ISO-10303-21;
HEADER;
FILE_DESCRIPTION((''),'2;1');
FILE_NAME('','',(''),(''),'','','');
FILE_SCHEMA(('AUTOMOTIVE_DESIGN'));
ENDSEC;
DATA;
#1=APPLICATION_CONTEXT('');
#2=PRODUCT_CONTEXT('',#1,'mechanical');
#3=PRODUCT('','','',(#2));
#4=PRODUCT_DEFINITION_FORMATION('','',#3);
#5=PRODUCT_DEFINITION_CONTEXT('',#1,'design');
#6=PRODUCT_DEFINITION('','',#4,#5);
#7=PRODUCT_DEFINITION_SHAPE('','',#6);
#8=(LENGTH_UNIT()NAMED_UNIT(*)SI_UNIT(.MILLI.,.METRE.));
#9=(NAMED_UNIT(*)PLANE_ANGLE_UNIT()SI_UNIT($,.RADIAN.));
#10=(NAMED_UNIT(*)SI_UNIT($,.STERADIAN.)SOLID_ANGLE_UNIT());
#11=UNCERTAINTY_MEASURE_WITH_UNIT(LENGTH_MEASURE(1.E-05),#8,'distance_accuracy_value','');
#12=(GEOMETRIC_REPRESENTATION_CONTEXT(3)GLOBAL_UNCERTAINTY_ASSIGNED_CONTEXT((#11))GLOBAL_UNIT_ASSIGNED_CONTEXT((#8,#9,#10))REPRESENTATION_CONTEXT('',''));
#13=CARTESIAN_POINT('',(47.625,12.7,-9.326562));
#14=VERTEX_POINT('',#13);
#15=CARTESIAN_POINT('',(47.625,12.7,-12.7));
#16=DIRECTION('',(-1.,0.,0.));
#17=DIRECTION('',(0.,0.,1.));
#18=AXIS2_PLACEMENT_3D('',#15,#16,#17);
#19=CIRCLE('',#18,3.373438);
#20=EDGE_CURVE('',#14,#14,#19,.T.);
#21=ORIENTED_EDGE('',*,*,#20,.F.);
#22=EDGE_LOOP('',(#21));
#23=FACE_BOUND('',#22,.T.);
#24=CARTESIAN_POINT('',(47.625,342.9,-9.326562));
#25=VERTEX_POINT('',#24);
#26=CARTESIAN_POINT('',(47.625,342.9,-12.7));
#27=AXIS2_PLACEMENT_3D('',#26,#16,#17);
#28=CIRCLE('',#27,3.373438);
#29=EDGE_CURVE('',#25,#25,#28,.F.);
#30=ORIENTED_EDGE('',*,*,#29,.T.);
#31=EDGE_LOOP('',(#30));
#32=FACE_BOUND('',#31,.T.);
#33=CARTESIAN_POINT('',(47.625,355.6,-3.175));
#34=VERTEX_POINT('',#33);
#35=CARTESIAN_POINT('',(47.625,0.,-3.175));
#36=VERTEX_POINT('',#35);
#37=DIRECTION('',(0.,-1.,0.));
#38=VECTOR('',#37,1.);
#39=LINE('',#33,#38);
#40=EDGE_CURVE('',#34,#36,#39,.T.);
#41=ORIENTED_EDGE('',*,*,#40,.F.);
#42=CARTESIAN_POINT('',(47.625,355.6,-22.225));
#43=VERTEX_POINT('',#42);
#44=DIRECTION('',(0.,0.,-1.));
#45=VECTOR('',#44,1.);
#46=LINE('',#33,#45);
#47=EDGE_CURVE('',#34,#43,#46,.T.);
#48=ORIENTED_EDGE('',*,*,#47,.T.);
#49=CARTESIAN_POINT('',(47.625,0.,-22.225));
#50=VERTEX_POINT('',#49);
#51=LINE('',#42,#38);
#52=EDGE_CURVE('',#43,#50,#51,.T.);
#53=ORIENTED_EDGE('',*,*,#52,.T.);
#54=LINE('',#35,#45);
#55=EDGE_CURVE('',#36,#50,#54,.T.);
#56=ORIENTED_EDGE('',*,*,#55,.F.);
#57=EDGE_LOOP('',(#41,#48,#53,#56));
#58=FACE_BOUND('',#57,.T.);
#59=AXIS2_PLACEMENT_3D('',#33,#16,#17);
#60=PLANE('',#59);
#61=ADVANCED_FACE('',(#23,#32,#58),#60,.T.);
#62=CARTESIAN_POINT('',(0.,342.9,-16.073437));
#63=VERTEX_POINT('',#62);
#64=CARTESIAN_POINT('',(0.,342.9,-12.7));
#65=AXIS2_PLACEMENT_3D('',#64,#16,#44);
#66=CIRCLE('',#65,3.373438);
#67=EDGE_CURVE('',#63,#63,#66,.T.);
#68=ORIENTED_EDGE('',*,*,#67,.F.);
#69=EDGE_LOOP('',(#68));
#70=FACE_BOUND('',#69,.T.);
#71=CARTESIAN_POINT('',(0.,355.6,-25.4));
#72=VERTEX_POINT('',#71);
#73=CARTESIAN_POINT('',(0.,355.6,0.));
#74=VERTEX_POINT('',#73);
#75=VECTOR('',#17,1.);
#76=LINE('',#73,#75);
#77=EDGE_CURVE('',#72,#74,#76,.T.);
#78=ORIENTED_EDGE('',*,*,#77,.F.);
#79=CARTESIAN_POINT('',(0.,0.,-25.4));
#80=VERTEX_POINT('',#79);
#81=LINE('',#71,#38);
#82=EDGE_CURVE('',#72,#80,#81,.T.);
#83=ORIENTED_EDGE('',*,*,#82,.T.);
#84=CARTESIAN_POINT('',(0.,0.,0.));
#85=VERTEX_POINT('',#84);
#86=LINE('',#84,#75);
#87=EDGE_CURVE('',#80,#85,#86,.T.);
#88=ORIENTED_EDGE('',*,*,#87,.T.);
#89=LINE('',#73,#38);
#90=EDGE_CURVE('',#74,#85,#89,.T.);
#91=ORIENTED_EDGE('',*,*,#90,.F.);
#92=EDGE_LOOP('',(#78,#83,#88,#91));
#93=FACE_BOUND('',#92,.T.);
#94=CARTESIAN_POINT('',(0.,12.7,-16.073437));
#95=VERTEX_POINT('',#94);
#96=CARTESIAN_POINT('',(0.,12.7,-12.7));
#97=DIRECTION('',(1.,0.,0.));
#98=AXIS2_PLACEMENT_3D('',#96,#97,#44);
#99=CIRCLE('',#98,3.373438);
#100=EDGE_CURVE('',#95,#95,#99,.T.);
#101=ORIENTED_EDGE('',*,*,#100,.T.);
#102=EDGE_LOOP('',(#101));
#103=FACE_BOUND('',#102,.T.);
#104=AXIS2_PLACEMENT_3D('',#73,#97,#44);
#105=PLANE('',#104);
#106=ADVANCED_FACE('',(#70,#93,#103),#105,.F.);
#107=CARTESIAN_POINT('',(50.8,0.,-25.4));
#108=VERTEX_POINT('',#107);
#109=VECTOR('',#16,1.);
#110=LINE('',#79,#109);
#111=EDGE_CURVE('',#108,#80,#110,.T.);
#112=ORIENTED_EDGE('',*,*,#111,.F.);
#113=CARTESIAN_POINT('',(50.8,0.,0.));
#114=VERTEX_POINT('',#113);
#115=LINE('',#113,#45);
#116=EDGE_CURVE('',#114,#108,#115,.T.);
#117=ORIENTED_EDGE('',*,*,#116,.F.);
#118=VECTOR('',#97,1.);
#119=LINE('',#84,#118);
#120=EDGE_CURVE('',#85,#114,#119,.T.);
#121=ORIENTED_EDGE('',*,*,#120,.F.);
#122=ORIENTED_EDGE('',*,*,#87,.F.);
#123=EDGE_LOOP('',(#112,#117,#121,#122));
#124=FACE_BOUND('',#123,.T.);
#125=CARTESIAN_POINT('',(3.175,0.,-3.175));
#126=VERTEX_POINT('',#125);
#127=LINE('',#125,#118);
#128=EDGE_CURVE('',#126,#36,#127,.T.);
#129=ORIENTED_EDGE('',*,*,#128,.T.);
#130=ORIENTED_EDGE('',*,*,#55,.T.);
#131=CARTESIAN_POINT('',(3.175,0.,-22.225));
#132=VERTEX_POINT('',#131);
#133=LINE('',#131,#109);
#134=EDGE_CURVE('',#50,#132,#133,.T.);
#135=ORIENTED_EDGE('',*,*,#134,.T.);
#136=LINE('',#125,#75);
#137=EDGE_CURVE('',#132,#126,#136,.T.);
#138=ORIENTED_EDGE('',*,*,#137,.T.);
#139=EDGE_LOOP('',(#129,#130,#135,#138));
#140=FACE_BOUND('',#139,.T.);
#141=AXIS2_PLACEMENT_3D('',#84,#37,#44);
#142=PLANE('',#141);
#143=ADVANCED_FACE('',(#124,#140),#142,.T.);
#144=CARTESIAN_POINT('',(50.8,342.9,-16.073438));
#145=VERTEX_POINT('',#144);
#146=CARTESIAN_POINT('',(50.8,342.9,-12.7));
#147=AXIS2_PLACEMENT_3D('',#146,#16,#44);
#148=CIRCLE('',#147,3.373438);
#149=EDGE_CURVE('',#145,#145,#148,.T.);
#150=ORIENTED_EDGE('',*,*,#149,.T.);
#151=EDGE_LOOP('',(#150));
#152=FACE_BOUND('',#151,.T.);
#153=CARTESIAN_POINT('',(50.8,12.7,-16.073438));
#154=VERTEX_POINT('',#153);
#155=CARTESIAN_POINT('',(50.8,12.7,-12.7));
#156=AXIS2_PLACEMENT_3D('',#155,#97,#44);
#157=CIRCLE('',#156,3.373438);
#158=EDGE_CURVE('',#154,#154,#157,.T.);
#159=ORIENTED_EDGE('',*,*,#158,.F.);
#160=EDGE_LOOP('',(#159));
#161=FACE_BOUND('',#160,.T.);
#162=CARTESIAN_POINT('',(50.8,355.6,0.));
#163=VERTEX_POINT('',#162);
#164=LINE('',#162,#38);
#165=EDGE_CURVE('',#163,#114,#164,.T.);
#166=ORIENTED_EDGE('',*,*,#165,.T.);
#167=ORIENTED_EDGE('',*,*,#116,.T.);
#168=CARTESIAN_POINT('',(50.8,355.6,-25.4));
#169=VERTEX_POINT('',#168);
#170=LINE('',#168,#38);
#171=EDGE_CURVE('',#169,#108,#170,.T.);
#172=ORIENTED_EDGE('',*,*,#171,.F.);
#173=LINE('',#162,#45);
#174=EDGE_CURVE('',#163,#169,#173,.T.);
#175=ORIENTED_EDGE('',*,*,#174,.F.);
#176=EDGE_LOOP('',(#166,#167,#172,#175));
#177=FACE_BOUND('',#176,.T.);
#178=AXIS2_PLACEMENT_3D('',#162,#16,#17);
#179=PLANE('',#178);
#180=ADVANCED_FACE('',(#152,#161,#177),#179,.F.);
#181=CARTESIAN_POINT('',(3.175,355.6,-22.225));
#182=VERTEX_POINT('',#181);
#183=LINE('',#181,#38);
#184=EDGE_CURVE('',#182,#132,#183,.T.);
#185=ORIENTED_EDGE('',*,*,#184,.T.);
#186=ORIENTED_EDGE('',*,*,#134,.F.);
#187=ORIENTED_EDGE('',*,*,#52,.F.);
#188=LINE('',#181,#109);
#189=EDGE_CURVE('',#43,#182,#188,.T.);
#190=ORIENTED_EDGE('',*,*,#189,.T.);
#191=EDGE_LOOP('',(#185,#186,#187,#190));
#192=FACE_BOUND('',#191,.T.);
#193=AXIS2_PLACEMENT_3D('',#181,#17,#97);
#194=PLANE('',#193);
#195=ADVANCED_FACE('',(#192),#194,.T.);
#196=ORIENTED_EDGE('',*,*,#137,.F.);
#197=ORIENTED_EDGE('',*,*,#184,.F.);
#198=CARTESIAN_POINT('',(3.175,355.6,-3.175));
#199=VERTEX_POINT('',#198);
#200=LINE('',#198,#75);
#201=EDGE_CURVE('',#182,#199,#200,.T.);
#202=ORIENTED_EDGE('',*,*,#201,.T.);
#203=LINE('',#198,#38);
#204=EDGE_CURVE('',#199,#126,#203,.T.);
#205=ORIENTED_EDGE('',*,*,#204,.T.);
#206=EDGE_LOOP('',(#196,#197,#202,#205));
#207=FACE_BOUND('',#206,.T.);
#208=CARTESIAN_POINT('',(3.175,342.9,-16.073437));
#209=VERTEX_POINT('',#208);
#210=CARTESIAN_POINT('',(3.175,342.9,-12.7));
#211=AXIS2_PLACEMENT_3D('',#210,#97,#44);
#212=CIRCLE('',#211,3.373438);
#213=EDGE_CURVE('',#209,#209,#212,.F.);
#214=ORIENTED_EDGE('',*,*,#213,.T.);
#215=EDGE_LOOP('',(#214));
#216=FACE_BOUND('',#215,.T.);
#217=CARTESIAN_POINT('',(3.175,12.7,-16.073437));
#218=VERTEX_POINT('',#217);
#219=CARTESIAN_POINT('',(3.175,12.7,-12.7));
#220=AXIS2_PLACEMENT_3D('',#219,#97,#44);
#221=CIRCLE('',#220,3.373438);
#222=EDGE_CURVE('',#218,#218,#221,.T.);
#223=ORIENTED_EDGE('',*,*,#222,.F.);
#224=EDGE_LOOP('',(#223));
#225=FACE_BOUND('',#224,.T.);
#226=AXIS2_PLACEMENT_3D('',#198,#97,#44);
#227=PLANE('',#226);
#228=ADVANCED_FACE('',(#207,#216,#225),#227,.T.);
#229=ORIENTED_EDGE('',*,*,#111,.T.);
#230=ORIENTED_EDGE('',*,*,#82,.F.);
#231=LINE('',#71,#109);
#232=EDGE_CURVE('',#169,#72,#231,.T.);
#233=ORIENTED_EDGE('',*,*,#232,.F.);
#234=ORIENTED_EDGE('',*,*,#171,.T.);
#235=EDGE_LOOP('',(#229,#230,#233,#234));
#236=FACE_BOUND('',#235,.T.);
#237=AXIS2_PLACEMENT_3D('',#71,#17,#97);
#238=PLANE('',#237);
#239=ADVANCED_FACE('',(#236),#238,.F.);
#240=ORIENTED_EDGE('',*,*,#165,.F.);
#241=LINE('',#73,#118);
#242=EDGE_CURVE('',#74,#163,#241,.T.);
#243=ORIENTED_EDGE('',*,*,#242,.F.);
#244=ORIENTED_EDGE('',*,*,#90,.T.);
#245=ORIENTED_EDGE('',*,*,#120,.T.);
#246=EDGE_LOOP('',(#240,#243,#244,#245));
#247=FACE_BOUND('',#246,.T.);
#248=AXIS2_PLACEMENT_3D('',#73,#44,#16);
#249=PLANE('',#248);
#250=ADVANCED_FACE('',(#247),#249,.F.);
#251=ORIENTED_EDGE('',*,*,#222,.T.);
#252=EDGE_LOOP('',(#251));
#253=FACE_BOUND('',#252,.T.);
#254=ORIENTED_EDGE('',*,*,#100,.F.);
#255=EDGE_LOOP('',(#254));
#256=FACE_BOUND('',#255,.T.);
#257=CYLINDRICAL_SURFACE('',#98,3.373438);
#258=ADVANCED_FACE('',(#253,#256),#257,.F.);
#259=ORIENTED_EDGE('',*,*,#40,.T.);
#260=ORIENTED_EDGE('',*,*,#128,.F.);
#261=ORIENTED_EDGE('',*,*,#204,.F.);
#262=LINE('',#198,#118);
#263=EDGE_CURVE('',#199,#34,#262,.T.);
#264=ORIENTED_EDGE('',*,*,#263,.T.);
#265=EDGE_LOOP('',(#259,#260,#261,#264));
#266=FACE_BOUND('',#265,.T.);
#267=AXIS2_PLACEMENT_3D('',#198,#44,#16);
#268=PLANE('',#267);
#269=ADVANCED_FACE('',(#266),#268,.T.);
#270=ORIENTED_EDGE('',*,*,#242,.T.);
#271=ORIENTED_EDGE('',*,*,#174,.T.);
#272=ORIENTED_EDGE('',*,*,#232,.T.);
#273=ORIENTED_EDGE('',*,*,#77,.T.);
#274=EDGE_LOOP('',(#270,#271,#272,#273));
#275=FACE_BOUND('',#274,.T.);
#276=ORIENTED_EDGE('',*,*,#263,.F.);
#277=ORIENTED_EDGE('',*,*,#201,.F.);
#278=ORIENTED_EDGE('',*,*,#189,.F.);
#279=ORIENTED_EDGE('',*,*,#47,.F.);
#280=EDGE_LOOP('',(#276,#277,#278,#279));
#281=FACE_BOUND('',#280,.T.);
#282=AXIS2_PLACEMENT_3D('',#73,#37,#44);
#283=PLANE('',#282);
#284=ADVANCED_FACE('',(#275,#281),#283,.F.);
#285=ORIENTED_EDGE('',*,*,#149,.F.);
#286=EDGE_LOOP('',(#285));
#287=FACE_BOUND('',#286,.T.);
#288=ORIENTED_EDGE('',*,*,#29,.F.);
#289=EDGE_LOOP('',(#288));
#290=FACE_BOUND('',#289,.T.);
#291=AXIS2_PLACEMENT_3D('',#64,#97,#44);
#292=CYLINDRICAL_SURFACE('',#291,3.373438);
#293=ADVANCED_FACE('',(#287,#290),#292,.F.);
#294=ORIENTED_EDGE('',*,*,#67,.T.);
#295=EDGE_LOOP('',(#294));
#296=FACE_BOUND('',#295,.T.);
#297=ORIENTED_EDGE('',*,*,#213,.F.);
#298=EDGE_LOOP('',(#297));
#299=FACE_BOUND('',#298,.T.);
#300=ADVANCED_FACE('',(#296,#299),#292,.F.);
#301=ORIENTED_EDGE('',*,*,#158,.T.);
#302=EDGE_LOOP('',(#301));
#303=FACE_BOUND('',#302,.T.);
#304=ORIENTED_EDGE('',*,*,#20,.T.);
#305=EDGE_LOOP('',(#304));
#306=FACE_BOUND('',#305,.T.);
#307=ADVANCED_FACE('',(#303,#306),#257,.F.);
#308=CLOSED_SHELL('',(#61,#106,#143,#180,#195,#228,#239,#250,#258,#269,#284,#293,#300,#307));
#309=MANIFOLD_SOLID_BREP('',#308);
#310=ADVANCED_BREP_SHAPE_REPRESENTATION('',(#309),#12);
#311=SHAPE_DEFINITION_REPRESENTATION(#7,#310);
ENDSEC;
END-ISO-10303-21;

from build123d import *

# Parameters (mm, degrees)
SKETCH1_W           = 50.8
SKETCH1_H           = 25.4
SKETCH1_W_2         = 44.45
SKETCH1_H_2         = 19.05
BOSS_EXTRUDE1_DEPTH = 355.6
SKETCH2_R           = 3.3734375
CUT_EXTRUDE1_DEPTH  = 361.10715072


with BuildPart() as part:
    # Sketch1 → Boss-Extrude1 (new body)
    with BuildSketch(Plane(origin=(0, 0, 0), x_dir=(1, 0, 0), z_dir=(0, 1, 0))):
        with Locations((25.4, 12.7)):
            Rectangle(SKETCH1_W, SKETCH1_H)
        with Locations((25.4, 12.7)):
            Rectangle(SKETCH1_W_2, SKETCH1_H_2, mode=Mode.SUBTRACT)
    extrude(amount=BOSS_EXTRUDE1_DEPTH)

    # Sketch2 → Cut-Extrude1 (cut, through all)
    with BuildSketch(Plane(origin=(50.8, 0, 0), x_dir=(0, 0, -1), z_dir=(1, 0, 0))):
        with Locations((12.7, 12.7)):
            Circle(SKETCH2_R)
    cut_extrude1 = extrude(amount=-CUT_EXTRUDE1_DEPTH, mode=Mode.SUBTRACT)

    # Mirror1: Cut-Extrude1 across plane
    add(cut_extrude1.mirror(Plane.ZX.offset(177.8)), mode=Mode.SUBTRACT)


solid = part.part
